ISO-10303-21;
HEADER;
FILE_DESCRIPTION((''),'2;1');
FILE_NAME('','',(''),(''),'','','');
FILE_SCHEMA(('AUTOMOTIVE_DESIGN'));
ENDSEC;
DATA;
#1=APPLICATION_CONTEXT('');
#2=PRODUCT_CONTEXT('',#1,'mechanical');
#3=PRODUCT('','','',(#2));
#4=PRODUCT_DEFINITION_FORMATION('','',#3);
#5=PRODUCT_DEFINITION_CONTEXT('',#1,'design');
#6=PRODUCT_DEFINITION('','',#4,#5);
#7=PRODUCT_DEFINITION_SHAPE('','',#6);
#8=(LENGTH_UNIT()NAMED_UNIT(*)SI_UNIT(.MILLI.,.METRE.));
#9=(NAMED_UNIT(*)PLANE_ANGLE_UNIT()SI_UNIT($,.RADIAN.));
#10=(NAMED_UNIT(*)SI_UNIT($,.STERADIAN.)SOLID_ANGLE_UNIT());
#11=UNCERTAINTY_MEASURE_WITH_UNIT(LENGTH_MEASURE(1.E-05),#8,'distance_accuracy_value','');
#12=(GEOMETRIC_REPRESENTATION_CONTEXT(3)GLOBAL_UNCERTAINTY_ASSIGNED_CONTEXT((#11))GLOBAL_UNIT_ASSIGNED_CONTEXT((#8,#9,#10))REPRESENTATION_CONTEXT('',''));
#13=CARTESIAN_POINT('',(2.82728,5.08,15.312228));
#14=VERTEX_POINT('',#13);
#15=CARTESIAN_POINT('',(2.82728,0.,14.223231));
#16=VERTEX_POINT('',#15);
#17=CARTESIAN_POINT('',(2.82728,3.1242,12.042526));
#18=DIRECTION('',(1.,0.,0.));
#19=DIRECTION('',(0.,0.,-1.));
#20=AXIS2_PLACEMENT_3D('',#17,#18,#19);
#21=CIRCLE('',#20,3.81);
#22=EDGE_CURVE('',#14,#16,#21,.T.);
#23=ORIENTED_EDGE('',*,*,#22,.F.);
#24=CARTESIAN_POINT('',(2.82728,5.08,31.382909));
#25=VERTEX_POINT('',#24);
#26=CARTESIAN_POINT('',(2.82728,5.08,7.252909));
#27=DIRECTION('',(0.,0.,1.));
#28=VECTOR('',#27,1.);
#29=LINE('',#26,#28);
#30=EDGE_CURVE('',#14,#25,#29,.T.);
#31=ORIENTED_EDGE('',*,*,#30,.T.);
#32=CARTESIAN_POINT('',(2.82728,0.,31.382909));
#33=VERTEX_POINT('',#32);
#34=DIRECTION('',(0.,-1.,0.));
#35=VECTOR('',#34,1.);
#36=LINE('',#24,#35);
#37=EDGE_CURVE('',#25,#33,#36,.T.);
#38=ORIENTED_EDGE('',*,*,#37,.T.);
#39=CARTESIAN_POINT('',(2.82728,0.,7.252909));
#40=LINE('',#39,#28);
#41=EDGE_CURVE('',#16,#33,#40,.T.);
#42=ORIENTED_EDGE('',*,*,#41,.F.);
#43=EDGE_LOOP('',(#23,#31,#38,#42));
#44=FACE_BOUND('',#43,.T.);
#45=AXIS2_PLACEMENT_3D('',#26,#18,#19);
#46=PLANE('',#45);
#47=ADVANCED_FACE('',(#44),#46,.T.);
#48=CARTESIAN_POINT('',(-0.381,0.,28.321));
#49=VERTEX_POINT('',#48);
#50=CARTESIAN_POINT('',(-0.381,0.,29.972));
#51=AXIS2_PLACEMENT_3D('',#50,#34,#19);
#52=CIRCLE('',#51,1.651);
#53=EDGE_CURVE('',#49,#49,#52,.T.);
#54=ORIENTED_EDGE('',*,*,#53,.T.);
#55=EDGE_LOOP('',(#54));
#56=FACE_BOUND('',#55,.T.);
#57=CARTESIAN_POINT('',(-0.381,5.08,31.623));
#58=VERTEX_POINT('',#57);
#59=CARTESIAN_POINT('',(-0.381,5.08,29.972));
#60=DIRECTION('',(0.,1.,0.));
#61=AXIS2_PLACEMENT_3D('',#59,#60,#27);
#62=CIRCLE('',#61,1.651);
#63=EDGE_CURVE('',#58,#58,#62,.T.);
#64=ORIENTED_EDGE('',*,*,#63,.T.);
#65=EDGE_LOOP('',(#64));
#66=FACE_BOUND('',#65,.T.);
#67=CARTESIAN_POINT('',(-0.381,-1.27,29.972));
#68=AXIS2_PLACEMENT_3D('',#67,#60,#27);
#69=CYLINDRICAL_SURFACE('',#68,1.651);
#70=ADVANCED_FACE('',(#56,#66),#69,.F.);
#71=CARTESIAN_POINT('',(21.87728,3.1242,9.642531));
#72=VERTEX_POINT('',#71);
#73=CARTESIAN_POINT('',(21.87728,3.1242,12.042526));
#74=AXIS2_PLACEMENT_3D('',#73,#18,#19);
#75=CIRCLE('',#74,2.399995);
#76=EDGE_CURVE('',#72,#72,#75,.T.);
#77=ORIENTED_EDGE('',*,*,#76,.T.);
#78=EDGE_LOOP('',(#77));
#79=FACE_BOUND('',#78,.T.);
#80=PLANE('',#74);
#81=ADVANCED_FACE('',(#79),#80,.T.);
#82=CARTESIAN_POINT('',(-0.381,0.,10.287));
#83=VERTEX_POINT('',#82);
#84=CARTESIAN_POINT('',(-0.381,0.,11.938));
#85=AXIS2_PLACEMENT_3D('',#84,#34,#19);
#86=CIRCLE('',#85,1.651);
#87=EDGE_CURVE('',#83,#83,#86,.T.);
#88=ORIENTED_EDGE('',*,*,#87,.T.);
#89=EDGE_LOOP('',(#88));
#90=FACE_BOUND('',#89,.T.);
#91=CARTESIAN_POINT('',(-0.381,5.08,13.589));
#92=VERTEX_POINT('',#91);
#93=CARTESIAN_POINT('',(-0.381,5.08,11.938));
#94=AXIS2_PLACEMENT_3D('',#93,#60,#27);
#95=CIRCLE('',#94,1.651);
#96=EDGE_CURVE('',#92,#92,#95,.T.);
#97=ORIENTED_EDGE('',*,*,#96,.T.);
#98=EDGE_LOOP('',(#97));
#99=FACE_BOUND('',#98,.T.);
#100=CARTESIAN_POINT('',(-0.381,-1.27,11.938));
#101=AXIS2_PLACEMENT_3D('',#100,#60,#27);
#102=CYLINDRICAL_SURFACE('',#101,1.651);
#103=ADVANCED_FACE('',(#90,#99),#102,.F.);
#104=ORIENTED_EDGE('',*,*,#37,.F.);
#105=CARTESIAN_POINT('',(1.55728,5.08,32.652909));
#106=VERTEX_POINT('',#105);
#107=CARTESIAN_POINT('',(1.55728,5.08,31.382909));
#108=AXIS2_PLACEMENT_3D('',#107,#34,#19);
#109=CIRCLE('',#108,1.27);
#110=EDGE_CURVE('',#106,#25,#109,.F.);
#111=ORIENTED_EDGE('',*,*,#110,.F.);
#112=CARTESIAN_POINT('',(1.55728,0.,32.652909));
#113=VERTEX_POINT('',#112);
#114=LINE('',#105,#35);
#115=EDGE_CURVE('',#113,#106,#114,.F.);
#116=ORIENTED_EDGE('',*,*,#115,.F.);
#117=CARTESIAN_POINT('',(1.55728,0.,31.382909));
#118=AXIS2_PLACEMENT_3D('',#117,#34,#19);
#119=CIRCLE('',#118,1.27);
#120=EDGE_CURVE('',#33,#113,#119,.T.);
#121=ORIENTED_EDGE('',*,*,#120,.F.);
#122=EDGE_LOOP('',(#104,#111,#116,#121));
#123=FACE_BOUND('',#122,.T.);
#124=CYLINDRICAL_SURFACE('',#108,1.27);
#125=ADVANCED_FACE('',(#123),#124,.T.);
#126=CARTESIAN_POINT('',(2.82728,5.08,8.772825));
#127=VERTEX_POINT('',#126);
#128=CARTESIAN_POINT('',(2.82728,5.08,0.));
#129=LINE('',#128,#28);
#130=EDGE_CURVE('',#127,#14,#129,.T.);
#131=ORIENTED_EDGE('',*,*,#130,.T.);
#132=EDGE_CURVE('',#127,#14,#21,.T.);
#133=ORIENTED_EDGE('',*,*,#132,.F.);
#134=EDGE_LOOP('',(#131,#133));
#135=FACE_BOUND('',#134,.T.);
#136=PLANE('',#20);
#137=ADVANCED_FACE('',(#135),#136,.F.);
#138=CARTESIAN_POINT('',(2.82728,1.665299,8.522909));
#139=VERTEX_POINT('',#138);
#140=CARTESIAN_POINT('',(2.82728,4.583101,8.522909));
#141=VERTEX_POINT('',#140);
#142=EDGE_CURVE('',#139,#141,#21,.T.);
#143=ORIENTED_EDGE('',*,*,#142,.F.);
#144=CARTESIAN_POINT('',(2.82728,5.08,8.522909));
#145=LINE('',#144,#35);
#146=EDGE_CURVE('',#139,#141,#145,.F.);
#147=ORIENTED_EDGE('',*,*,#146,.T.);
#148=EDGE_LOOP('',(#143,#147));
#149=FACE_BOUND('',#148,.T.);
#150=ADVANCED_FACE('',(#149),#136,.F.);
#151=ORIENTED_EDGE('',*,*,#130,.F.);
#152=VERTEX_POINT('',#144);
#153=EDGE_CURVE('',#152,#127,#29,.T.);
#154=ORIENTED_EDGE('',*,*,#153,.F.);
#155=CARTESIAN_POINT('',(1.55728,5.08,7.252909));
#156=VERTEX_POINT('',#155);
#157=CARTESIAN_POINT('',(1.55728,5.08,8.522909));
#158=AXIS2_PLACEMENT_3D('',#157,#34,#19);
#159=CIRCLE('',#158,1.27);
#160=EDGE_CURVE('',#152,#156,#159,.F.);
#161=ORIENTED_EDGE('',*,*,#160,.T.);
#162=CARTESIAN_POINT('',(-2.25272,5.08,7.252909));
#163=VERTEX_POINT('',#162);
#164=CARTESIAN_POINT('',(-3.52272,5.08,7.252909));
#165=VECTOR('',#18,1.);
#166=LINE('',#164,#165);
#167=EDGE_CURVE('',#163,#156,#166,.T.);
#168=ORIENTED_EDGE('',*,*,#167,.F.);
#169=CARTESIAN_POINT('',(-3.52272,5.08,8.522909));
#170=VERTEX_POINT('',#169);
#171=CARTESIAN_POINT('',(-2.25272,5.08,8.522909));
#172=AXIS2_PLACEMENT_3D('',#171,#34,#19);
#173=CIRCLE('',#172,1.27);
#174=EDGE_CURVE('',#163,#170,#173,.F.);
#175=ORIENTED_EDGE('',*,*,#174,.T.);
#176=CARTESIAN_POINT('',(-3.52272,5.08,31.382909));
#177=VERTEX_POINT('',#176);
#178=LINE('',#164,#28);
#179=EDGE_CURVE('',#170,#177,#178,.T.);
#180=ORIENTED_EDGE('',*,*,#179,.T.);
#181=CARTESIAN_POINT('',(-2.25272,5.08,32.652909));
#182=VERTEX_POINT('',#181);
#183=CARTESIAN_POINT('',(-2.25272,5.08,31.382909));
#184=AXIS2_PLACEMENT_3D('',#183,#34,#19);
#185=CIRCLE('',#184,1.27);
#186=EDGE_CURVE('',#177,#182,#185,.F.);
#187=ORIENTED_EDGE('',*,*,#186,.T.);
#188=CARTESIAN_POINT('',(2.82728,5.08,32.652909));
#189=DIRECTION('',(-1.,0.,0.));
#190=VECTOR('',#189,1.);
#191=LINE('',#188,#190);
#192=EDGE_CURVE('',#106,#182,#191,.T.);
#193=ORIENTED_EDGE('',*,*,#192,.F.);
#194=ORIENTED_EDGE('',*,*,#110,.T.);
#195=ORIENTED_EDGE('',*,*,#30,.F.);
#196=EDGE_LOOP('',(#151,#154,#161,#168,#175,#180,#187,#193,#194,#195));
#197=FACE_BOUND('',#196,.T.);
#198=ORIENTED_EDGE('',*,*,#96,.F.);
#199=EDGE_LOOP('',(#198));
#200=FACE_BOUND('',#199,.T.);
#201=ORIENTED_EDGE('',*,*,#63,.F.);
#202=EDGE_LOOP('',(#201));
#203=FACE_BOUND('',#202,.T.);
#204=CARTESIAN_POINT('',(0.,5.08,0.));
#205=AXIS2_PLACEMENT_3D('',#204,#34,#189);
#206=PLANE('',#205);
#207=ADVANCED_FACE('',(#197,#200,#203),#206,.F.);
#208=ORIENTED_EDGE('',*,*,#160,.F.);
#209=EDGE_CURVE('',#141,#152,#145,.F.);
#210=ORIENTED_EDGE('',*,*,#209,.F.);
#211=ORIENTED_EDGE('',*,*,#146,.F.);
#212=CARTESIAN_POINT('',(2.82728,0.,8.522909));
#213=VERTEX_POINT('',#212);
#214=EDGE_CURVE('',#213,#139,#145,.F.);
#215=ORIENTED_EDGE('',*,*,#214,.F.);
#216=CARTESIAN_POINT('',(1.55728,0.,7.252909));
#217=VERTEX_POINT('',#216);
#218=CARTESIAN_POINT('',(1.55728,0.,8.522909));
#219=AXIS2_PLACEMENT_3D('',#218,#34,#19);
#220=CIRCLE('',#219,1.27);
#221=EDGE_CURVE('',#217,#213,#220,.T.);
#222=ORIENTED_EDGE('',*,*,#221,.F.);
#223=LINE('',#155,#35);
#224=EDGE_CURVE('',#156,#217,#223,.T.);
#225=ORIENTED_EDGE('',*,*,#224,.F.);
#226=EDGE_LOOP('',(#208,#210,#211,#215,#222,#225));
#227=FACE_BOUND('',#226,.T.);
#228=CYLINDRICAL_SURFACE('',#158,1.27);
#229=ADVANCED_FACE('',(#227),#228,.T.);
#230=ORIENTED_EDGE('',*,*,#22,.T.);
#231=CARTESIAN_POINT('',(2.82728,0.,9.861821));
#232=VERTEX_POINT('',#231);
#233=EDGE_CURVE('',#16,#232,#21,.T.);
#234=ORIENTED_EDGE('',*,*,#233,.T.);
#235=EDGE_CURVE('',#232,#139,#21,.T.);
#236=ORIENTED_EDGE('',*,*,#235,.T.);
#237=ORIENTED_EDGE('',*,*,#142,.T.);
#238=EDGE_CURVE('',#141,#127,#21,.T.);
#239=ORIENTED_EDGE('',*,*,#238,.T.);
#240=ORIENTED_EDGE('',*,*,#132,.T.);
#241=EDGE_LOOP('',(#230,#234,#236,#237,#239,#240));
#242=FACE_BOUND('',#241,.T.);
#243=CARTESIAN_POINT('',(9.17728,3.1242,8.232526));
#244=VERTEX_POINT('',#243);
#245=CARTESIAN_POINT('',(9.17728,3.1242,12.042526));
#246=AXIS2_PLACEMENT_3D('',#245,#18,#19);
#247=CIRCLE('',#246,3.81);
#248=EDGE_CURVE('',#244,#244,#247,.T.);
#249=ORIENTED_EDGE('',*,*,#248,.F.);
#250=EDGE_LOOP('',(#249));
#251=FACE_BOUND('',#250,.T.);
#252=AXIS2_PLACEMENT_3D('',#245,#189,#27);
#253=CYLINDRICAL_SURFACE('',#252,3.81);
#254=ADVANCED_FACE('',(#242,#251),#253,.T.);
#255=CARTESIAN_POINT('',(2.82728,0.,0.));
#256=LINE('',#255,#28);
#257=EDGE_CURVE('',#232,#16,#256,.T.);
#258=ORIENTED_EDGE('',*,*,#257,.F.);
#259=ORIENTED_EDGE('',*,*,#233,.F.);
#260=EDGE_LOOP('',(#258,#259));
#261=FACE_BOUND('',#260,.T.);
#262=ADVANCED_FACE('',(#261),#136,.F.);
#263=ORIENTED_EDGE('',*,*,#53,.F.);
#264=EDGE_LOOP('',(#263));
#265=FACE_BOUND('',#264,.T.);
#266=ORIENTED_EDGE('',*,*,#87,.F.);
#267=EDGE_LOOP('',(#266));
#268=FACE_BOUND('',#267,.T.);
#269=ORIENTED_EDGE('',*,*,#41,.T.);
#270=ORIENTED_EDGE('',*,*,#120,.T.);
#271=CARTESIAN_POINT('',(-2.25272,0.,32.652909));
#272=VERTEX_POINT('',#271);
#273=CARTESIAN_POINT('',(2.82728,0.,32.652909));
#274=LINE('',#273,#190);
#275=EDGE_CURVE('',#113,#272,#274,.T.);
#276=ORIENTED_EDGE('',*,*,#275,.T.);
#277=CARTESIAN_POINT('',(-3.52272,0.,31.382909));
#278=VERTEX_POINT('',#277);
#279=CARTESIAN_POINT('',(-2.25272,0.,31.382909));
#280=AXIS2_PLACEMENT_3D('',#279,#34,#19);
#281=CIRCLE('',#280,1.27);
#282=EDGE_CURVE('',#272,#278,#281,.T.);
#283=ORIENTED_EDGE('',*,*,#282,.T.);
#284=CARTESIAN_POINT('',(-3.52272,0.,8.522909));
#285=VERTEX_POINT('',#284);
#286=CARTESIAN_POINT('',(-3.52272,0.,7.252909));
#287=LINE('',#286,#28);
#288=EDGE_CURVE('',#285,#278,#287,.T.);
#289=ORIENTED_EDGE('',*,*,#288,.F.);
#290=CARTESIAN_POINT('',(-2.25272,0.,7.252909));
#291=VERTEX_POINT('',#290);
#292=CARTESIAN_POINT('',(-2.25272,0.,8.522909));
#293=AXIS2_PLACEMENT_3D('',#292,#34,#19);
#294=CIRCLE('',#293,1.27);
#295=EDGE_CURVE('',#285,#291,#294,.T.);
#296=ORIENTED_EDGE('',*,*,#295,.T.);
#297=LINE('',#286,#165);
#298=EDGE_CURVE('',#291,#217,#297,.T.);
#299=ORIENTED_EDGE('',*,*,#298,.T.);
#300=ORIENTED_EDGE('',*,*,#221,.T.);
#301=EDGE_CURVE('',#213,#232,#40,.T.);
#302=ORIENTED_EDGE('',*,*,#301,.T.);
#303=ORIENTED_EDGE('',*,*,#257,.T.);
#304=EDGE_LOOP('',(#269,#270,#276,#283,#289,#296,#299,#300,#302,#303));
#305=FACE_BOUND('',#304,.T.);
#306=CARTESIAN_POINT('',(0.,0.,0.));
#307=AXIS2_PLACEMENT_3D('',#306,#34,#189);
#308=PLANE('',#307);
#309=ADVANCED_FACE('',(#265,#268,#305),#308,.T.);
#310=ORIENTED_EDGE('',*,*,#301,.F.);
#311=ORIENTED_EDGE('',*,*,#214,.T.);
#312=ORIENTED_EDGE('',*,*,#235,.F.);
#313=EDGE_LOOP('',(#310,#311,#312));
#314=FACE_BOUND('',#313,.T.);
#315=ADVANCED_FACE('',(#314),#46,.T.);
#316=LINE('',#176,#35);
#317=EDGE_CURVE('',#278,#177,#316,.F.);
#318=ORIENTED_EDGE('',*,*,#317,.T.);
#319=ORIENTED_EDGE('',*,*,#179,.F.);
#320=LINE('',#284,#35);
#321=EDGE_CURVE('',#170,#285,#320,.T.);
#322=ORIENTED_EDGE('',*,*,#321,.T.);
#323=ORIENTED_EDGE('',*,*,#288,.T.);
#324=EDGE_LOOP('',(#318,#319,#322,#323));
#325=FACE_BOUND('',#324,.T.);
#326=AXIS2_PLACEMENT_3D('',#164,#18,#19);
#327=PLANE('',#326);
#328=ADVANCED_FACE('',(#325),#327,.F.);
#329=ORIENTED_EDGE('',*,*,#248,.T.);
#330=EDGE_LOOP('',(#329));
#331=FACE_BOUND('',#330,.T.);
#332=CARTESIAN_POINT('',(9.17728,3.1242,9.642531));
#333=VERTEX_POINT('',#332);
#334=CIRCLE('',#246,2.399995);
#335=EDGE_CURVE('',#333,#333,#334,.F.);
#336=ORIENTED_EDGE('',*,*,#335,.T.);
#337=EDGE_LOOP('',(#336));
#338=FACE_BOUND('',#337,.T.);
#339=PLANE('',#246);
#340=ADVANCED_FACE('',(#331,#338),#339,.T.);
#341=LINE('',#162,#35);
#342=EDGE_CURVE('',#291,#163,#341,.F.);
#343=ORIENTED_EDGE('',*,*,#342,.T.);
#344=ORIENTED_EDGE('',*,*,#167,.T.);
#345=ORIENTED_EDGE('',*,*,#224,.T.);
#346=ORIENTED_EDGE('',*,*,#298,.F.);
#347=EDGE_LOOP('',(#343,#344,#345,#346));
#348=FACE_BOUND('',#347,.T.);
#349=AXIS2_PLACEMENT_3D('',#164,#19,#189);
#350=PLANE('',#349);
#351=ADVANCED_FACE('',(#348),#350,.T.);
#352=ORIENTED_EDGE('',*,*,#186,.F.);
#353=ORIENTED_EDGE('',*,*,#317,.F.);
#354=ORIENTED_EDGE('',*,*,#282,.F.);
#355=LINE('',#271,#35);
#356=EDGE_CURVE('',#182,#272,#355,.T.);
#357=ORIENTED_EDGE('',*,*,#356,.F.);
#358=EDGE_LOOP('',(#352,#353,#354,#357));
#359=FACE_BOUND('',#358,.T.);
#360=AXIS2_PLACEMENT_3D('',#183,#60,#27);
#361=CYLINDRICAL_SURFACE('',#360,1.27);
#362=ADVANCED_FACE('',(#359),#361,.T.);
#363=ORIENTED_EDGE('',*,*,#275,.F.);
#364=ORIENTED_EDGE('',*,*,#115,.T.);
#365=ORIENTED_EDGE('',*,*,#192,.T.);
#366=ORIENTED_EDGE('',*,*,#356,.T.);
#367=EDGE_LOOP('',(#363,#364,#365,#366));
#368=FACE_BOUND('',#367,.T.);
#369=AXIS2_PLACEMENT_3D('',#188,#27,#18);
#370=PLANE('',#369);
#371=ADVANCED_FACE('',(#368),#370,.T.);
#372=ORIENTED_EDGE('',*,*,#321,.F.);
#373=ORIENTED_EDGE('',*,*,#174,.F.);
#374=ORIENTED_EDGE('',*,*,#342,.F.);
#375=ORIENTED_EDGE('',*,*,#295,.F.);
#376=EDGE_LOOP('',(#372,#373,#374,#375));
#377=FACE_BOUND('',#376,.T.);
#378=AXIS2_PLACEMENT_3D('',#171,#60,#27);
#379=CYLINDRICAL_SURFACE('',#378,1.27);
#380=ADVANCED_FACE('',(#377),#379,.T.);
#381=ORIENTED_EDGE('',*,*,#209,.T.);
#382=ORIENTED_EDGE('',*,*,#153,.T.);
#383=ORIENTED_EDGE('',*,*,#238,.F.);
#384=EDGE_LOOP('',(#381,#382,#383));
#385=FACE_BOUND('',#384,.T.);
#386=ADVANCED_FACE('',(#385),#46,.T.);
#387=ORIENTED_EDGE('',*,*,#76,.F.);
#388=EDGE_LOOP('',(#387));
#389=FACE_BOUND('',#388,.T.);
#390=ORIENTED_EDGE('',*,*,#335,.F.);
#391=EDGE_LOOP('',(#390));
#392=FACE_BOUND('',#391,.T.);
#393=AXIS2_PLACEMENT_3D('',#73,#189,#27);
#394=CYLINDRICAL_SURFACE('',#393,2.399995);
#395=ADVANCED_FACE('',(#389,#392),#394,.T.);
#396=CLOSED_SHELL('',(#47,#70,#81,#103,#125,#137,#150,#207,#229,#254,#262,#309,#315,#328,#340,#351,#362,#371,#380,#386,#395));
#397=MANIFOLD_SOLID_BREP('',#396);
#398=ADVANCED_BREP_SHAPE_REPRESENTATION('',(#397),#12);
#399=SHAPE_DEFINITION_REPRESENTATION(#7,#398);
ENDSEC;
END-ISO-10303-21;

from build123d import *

# Parameters (mm, degrees)
SKETCH1_W           = 6.35
SKETCH1_H           = 25.4
EXTRUDE_THIN1_DEPTH = 5.08
FILLET4_R           = 1.27
FILLET5_R           = 1.27
FILLET6_R           = 1.27
SKETCH5_R           = 1.651
CUT_EXTRUDE1_DEPTH  = 6.35
SKETCH8_R           = 3.81
BOSS_EXTRUDE1_DEPTH = 6.35
SKETCH12_R          = 2.3999952
BOSS_EXTRUDE2_DEPTH = 19.05
LPATTERN1_COUNT     = 2
LPATTERN1_PITCH     = 18.034


with BuildPart() as part:
    # Sketch1 → Extrude-Thin1 (new body)
    with BuildSketch(Plane(origin=(0, 0, 0), x_dir=(1, 0, 0), z_dir=(0, 1, 0))):
        with Locations((-0.347720453, -19.952908818)):
            Rectangle(SKETCH1_W, SKETCH1_H)
    extrude(amount=EXTRUDE_THIN1_DEPTH)

    # Fillet4
    fillet4_edges = [part.edges().sort_by_distance(p)[0] for p in [
        (-3.522720453, 2.54, 32.652908818),
    ]]
    fillet(fillet4_edges, radius=FILLET4_R)

    # Fillet5
    fillet5_edges = [part.edges().sort_by_distance(p)[0] for p in [
        (2.827279547, 2.54, 32.652908818),
    ]]
    fillet(fillet5_edges, radius=FILLET5_R)

    # Fillet6
    fillet6_edges = [part.edges().sort_by_distance(p)[0] for p in [
        (-3.522720453, 2.54, 7.252908818),
        (2.827279547, 2.54, 7.252908818),
    ]]
    fillet(fillet6_edges, radius=FILLET6_R)

    # Sketch5 → Cut-Extrude1 (cut)
    with BuildSketch(Plane(origin=(0, 5.08, 0), x_dir=(1, 0, 0), z_dir=(0, 1, 0))):
        with Locations((-0.381, -29.972)):
            Circle(SKETCH5_R)
    cut_extrude1 = extrude(amount=-CUT_EXTRUDE1_DEPTH, mode=Mode.SUBTRACT)

    # Sketch8 → Boss-Extrude1 (add)
    with BuildSketch(Plane(origin=(2.827279547, 0, 0), x_dir=(0, 0, -1), z_dir=(1, 0, 0))):
        with Locations((-12.042526448, 3.1242)):
            Circle(SKETCH8_R)
    extrude(amount=BOSS_EXTRUDE1_DEPTH)

    # Sketch12 → Boss-Extrude2 (add)
    with BuildSketch(Plane(origin=(2.827279547, 0, 0), x_dir=(0, 0, -1), z_dir=(1, 0, 0))):
        with Locations((-12.042526448, 3.1242)):
            Circle(SKETCH12_R)
    extrude(amount=BOSS_EXTRUDE2_DEPTH)

    # LPattern1: Cut-Extrude1 ×2
    with Locations(*[(0, 0, -i * LPATTERN1_PITCH) for i in range(1, LPATTERN1_COUNT)]):
        add(cut_extrude1, mode=Mode.SUBTRACT)


solid = part.part
